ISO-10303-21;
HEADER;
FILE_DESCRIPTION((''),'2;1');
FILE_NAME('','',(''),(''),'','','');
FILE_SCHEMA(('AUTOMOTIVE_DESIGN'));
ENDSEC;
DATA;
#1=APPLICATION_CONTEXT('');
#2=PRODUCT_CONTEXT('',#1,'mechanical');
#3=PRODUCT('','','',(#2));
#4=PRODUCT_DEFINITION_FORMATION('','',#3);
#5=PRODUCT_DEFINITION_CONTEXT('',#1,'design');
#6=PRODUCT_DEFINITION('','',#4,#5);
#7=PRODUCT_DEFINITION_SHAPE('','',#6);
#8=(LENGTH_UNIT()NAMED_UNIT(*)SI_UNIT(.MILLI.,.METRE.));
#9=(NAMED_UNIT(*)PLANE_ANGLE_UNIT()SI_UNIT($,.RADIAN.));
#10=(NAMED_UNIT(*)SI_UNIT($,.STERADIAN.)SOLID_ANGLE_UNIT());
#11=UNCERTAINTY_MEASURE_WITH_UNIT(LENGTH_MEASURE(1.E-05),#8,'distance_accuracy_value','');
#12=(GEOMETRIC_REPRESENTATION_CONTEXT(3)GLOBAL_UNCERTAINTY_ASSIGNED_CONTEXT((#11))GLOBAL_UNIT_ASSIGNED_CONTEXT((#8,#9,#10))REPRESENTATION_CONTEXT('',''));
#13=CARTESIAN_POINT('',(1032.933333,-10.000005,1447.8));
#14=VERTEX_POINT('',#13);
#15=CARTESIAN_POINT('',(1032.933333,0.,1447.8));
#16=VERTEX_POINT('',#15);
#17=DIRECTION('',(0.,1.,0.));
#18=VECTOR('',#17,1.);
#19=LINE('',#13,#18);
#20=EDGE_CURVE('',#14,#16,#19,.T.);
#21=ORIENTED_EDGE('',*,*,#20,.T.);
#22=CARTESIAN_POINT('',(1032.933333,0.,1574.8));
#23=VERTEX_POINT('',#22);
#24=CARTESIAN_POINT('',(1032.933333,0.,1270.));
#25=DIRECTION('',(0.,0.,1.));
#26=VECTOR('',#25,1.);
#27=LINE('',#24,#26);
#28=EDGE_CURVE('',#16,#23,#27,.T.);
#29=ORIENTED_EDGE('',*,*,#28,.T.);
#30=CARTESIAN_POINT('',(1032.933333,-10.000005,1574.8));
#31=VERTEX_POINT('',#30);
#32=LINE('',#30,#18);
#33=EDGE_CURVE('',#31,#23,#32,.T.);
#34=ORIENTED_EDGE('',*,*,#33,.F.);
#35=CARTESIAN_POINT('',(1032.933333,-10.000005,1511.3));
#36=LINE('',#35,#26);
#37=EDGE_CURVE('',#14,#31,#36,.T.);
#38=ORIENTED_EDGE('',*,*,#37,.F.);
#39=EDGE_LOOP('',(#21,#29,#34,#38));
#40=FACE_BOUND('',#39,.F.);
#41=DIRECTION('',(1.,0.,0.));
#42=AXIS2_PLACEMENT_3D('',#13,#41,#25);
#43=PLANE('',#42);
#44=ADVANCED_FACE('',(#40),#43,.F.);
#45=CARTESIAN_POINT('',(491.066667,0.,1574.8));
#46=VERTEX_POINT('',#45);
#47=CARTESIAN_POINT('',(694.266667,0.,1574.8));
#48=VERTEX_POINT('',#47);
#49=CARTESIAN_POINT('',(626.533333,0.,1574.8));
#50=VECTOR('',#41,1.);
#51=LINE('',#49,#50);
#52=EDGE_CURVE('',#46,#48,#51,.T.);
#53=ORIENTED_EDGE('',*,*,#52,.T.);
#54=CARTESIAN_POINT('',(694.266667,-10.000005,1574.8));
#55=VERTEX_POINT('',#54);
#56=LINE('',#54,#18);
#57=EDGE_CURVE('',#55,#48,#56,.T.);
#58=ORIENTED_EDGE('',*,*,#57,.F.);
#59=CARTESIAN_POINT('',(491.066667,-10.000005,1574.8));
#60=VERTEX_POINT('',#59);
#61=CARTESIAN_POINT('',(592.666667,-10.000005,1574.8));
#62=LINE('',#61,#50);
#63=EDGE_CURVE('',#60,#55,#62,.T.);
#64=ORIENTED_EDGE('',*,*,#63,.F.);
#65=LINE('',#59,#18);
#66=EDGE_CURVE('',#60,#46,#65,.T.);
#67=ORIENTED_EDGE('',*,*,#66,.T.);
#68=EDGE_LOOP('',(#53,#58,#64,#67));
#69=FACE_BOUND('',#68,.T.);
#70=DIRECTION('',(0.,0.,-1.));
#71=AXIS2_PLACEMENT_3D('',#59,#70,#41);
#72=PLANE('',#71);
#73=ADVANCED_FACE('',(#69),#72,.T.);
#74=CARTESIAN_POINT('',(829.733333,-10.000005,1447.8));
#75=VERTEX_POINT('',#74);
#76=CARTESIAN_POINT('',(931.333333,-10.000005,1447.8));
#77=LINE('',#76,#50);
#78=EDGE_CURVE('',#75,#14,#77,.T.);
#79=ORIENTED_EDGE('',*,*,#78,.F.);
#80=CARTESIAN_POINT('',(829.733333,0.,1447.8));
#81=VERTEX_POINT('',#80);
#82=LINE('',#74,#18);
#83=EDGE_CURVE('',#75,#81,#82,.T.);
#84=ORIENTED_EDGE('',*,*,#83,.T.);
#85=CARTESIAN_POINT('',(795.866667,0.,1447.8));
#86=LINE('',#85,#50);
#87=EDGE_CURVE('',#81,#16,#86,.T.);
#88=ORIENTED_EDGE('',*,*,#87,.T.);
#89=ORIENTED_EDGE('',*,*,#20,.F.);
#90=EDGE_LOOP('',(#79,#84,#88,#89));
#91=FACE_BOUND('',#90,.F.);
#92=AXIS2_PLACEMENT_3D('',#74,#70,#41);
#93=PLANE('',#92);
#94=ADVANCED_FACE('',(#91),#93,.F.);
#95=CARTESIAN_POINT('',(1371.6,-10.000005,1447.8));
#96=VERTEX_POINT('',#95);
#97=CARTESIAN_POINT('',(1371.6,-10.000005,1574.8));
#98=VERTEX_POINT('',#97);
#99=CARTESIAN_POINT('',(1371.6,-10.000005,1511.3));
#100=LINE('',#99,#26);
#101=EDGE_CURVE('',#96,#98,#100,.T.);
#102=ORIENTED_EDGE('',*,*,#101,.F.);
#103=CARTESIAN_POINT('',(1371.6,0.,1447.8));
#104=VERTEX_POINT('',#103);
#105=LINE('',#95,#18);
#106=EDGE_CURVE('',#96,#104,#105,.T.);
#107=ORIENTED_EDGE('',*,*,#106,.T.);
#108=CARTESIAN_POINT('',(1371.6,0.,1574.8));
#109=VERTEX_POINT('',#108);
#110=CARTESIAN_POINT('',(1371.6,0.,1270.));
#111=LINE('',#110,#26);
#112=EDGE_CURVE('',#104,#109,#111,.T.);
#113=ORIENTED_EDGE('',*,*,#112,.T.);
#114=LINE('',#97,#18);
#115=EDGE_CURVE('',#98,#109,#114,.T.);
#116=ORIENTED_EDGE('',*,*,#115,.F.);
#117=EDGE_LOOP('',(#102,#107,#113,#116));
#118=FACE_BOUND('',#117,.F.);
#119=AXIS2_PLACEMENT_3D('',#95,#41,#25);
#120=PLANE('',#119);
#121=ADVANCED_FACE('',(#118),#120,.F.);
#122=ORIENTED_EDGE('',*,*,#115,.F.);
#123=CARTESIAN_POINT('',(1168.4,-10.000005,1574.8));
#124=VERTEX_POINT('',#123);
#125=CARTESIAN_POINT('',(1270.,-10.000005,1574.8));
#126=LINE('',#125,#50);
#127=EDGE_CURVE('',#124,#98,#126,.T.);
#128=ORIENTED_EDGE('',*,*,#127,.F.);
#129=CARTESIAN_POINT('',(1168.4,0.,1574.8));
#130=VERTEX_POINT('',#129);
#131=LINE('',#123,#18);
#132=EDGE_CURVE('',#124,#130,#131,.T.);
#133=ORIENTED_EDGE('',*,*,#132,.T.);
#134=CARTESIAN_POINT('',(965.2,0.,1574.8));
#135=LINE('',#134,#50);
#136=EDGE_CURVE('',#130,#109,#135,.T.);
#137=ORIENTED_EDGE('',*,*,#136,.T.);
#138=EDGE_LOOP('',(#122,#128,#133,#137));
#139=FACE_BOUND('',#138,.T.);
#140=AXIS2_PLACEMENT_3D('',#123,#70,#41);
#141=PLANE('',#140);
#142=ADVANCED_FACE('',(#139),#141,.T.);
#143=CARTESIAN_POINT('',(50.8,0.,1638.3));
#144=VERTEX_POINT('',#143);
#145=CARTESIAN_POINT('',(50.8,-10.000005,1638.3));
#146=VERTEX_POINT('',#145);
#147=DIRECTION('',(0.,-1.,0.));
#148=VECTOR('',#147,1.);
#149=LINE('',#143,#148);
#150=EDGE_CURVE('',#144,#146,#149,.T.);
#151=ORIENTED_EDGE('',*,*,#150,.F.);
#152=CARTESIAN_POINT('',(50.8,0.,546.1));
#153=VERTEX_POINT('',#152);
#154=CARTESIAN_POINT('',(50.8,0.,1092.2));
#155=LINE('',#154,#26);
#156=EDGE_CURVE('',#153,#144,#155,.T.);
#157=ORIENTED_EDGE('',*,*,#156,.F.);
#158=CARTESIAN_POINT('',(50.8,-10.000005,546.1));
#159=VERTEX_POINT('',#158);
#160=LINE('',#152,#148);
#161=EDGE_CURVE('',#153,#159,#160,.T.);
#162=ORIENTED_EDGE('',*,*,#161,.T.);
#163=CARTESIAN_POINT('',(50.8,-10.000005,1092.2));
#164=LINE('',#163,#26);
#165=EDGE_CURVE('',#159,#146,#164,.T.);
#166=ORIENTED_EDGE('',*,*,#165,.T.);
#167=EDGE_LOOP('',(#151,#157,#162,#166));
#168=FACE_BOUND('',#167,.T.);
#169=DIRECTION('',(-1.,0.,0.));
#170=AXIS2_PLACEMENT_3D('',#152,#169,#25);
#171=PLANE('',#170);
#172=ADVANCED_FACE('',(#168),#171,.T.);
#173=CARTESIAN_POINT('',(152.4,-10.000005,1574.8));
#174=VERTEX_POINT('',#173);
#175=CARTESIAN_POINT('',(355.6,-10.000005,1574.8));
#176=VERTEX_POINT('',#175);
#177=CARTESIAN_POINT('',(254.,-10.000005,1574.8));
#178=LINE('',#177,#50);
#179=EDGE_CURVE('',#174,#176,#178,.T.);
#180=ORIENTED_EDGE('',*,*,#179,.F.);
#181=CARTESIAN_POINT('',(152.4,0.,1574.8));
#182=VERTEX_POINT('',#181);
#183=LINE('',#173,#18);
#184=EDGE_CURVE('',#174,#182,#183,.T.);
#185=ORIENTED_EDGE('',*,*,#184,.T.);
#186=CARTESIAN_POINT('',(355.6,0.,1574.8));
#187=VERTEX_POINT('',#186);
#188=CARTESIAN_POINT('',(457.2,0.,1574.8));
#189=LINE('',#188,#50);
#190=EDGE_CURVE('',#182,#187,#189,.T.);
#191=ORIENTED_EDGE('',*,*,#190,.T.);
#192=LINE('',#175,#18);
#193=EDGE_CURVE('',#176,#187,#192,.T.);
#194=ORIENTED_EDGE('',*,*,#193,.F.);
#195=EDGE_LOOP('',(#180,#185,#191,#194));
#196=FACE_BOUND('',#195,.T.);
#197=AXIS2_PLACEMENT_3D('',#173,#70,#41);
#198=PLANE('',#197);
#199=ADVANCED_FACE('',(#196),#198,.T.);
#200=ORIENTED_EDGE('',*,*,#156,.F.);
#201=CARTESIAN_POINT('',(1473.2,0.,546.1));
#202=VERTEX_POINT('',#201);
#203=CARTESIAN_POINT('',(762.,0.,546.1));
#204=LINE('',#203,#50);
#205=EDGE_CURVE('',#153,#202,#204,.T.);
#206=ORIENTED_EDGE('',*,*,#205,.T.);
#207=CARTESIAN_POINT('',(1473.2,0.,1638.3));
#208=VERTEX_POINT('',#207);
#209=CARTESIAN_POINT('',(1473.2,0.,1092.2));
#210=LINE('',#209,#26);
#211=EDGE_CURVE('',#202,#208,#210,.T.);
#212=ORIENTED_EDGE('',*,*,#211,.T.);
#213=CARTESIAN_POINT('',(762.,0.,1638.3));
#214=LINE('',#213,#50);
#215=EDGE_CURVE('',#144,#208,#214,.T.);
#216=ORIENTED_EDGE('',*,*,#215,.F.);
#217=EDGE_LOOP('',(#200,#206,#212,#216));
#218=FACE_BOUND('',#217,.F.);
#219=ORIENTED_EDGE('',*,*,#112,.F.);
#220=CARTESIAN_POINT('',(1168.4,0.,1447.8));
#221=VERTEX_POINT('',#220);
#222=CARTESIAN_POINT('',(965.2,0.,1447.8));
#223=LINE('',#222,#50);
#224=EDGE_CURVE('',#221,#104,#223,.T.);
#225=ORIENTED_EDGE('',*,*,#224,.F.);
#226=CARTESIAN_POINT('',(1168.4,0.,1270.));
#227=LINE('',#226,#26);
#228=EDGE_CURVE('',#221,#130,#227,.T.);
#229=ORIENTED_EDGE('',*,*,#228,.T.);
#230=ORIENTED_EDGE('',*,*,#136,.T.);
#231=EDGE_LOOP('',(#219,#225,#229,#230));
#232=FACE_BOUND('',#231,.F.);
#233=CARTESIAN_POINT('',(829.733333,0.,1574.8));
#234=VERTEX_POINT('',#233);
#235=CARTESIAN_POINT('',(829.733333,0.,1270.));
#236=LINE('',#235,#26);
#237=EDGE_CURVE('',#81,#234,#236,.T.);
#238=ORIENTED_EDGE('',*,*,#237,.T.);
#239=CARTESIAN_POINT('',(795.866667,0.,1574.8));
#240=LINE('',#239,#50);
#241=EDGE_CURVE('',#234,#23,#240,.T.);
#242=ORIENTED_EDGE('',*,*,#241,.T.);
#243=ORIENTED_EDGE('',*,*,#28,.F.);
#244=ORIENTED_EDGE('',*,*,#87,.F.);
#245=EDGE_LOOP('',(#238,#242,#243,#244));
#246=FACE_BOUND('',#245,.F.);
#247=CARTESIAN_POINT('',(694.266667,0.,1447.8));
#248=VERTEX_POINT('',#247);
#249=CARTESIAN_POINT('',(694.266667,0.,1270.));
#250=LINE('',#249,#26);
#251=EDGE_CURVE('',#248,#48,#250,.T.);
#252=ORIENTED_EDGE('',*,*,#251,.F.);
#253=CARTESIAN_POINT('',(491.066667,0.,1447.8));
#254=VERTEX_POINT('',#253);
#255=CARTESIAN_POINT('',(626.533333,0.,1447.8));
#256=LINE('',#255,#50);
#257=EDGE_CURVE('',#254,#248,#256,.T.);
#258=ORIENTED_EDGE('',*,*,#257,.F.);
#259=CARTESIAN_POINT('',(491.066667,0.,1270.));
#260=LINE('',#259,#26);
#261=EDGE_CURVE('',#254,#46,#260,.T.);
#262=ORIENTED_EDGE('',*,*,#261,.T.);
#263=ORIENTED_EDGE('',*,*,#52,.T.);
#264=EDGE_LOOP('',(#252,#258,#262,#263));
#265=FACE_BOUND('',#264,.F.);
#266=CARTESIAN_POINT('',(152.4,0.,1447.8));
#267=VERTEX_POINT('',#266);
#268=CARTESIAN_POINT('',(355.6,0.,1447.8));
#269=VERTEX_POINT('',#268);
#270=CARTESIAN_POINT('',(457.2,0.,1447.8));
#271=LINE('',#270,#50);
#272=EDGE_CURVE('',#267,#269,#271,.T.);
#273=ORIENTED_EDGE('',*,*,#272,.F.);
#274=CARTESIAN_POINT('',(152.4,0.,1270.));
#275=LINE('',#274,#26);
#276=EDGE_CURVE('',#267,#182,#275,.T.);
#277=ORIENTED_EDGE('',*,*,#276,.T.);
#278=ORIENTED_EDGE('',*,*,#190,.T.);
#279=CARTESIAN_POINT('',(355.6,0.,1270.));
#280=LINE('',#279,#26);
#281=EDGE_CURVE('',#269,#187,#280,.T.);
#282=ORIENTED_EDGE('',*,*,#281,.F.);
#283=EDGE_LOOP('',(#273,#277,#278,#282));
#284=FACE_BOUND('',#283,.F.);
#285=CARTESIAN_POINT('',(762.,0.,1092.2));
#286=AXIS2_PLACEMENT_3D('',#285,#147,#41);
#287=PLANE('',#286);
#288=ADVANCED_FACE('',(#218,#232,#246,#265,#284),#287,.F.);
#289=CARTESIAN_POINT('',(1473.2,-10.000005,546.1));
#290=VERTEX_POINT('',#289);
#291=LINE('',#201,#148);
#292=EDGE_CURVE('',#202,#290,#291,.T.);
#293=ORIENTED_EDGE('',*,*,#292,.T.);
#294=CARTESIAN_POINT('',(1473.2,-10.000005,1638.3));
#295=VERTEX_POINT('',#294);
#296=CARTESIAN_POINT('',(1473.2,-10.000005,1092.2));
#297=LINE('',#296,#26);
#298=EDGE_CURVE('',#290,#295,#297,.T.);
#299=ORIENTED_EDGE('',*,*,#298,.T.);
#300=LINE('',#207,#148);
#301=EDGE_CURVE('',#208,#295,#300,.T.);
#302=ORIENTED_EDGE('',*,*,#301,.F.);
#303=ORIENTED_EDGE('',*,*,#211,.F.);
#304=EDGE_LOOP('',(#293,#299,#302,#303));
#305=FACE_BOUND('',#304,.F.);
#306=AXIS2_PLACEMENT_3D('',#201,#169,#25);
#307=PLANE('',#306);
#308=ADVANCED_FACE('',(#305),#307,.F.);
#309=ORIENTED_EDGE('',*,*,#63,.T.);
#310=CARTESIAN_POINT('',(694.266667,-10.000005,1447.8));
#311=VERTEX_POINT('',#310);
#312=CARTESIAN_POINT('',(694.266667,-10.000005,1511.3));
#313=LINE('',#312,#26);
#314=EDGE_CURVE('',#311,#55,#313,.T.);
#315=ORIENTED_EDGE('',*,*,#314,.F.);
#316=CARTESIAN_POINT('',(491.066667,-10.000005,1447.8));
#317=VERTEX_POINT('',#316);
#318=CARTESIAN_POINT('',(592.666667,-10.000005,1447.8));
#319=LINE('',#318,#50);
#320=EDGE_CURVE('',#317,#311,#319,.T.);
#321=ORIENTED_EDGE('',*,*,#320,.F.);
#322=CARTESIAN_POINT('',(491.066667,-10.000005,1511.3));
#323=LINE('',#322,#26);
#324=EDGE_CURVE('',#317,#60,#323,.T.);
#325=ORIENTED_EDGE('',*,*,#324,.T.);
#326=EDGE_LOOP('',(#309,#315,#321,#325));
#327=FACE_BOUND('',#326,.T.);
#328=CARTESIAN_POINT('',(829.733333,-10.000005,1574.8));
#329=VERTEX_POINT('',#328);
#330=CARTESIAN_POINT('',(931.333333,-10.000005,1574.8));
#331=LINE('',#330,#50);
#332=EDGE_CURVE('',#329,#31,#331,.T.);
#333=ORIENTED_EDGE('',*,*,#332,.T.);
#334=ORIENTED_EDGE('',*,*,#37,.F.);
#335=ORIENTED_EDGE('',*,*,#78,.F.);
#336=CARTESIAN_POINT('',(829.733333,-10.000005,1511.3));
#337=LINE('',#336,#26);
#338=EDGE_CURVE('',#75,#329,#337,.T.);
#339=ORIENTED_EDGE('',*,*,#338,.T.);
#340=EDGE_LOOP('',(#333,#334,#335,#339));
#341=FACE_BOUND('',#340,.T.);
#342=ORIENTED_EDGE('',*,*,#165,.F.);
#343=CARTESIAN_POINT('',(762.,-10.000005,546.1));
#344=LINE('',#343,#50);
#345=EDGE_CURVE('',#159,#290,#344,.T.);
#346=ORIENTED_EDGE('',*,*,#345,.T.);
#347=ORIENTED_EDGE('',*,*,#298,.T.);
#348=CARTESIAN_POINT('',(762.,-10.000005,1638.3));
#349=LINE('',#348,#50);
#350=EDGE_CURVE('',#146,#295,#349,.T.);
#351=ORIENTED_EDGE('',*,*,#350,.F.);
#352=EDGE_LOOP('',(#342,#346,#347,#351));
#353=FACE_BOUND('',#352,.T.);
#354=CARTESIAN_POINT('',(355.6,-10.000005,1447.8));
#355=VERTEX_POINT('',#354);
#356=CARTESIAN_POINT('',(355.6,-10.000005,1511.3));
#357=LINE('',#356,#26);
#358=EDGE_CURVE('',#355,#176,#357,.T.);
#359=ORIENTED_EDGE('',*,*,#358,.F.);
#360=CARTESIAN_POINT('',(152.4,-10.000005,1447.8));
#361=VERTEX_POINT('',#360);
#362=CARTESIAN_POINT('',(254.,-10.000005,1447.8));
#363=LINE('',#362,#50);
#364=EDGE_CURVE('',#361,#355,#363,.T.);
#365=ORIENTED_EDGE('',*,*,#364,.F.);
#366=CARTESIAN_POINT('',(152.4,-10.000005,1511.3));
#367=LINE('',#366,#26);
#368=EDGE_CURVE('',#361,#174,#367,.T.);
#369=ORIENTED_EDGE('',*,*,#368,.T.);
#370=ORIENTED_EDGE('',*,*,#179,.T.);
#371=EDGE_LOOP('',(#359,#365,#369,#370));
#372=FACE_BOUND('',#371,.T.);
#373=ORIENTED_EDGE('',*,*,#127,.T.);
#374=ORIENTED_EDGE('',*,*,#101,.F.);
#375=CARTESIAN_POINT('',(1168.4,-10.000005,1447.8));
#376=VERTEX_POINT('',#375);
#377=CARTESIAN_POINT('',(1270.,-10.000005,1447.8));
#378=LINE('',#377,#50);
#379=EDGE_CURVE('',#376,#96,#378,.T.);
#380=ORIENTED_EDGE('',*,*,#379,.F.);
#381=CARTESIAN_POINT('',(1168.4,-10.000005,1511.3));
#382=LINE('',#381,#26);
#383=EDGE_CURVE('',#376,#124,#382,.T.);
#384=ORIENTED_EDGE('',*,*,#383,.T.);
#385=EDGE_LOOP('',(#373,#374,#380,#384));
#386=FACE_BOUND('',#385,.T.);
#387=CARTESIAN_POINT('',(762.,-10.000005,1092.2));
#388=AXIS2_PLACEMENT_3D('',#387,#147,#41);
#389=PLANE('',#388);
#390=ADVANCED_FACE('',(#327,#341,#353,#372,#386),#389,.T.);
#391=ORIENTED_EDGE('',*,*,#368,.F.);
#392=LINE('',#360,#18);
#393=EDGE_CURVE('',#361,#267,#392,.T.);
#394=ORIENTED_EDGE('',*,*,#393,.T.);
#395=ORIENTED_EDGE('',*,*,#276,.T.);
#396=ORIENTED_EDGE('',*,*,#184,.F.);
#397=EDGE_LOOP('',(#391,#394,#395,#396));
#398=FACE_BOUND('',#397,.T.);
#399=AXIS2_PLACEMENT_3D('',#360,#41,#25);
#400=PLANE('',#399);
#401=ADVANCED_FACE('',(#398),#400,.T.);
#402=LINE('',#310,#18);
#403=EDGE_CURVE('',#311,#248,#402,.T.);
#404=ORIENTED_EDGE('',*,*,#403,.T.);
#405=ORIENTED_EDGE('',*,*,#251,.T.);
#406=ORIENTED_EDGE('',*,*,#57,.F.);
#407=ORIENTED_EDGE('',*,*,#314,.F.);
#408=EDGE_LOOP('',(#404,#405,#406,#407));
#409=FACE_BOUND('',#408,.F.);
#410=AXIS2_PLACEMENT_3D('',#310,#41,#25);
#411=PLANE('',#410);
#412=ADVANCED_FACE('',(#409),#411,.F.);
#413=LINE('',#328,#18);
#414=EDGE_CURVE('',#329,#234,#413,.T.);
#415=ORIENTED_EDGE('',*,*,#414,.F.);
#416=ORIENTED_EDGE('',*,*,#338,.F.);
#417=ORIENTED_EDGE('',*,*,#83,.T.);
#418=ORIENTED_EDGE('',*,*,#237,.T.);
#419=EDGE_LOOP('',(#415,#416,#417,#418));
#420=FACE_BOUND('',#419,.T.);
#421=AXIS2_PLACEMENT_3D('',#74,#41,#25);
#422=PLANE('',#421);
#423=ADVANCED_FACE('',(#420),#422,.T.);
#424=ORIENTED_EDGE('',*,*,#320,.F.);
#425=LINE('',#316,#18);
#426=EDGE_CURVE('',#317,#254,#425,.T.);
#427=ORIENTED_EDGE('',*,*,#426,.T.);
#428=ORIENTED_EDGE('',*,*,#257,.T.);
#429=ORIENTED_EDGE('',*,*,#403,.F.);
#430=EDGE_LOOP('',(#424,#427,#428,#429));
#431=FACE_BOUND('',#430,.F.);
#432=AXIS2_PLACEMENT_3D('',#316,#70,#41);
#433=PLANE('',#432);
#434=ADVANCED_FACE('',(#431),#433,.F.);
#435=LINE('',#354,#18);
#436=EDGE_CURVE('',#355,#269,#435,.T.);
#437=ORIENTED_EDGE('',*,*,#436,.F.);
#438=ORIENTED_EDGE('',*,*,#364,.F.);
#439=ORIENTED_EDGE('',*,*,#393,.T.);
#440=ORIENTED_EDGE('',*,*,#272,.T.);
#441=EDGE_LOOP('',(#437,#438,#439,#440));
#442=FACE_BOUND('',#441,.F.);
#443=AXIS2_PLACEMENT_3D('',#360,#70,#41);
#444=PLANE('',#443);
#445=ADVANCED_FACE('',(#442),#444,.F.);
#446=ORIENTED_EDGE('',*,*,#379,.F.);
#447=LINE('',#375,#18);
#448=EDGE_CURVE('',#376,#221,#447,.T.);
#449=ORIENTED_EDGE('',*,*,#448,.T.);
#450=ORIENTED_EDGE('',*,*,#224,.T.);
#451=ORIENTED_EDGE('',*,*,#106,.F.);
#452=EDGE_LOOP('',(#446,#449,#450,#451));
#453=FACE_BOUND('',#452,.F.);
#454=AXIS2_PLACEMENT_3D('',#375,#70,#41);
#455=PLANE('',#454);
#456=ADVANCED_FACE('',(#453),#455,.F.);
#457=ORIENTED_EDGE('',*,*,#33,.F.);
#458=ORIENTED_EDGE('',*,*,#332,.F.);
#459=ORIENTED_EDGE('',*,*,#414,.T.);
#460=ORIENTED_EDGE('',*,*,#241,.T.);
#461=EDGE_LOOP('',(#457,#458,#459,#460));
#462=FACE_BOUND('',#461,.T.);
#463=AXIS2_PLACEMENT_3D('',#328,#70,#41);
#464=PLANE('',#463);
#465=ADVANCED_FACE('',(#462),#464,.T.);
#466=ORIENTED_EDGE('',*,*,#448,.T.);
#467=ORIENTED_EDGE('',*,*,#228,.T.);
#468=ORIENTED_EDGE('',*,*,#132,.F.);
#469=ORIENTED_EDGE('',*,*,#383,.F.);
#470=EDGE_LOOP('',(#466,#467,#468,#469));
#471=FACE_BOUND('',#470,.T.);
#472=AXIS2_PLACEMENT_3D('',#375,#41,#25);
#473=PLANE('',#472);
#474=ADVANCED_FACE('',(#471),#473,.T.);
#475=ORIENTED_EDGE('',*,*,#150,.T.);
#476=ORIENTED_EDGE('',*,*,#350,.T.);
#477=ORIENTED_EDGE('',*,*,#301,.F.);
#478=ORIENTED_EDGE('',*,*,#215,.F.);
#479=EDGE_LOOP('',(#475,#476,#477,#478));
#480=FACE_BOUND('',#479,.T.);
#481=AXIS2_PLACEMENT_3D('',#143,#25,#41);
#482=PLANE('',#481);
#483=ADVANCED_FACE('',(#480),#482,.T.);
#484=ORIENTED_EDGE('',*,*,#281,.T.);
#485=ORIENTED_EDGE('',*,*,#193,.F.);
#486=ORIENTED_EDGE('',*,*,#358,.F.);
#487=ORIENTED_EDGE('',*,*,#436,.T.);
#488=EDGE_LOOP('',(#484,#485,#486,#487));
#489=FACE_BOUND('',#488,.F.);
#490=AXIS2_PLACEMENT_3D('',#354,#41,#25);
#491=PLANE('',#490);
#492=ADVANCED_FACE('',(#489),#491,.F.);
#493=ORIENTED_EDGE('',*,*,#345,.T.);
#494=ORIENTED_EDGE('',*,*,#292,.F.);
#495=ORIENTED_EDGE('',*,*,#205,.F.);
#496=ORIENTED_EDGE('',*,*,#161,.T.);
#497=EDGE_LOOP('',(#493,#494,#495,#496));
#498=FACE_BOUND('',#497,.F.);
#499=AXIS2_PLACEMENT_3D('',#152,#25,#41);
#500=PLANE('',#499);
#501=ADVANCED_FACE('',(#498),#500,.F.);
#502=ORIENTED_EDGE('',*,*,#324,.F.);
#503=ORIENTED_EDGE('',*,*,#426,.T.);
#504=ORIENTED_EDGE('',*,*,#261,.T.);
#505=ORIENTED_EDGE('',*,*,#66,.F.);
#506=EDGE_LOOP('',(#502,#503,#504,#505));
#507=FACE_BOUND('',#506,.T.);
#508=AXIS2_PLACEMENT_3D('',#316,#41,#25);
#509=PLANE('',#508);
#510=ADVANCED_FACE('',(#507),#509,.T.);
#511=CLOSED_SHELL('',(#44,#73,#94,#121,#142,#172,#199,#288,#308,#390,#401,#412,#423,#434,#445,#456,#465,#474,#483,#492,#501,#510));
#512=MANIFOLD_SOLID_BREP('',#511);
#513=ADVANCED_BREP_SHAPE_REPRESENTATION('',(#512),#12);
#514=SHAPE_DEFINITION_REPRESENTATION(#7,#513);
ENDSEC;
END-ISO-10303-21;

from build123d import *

# Parameters (mm, degrees)
SKETCH016_W         = 1422.4
SKETCH016_H         = 1092.2
PAD002_DEPTH        = 10.000005
SKETCH021_W         = 203.2
SKETCH021_H         = 127
POCKET018_DEPTH     = 10.0010050021
LINEARPATTERN_COUNT = 4
LINEARPATTERN_PITCH = 338.6666666667


with BuildPart() as part:
    # Sketch016 → Pad002 (new body)
    with BuildSketch(Plane.XZ):
        with Locations((762, 1092.2)):
            Rectangle(SKETCH016_W, SKETCH016_H)
    extrude(amount=PAD002_DEPTH)

    # Sketch021 → Pocket018 (cut, through all)
    with BuildSketch(Plane.XZ.offset(10.000005)):
        with Locations((254, 1511.3)):
            Rectangle(SKETCH021_W, SKETCH021_H)
    pocket018 = extrude(amount=-POCKET018_DEPTH, mode=Mode.SUBTRACT)

    # LinearPattern: Pocket018 ×4
    with Locations(*[(i * LINEARPATTERN_PITCH, 0, 0) for i in range(1, LINEARPATTERN_COUNT)]):
        add(pocket018, mode=Mode.SUBTRACT)


solid = part.part
